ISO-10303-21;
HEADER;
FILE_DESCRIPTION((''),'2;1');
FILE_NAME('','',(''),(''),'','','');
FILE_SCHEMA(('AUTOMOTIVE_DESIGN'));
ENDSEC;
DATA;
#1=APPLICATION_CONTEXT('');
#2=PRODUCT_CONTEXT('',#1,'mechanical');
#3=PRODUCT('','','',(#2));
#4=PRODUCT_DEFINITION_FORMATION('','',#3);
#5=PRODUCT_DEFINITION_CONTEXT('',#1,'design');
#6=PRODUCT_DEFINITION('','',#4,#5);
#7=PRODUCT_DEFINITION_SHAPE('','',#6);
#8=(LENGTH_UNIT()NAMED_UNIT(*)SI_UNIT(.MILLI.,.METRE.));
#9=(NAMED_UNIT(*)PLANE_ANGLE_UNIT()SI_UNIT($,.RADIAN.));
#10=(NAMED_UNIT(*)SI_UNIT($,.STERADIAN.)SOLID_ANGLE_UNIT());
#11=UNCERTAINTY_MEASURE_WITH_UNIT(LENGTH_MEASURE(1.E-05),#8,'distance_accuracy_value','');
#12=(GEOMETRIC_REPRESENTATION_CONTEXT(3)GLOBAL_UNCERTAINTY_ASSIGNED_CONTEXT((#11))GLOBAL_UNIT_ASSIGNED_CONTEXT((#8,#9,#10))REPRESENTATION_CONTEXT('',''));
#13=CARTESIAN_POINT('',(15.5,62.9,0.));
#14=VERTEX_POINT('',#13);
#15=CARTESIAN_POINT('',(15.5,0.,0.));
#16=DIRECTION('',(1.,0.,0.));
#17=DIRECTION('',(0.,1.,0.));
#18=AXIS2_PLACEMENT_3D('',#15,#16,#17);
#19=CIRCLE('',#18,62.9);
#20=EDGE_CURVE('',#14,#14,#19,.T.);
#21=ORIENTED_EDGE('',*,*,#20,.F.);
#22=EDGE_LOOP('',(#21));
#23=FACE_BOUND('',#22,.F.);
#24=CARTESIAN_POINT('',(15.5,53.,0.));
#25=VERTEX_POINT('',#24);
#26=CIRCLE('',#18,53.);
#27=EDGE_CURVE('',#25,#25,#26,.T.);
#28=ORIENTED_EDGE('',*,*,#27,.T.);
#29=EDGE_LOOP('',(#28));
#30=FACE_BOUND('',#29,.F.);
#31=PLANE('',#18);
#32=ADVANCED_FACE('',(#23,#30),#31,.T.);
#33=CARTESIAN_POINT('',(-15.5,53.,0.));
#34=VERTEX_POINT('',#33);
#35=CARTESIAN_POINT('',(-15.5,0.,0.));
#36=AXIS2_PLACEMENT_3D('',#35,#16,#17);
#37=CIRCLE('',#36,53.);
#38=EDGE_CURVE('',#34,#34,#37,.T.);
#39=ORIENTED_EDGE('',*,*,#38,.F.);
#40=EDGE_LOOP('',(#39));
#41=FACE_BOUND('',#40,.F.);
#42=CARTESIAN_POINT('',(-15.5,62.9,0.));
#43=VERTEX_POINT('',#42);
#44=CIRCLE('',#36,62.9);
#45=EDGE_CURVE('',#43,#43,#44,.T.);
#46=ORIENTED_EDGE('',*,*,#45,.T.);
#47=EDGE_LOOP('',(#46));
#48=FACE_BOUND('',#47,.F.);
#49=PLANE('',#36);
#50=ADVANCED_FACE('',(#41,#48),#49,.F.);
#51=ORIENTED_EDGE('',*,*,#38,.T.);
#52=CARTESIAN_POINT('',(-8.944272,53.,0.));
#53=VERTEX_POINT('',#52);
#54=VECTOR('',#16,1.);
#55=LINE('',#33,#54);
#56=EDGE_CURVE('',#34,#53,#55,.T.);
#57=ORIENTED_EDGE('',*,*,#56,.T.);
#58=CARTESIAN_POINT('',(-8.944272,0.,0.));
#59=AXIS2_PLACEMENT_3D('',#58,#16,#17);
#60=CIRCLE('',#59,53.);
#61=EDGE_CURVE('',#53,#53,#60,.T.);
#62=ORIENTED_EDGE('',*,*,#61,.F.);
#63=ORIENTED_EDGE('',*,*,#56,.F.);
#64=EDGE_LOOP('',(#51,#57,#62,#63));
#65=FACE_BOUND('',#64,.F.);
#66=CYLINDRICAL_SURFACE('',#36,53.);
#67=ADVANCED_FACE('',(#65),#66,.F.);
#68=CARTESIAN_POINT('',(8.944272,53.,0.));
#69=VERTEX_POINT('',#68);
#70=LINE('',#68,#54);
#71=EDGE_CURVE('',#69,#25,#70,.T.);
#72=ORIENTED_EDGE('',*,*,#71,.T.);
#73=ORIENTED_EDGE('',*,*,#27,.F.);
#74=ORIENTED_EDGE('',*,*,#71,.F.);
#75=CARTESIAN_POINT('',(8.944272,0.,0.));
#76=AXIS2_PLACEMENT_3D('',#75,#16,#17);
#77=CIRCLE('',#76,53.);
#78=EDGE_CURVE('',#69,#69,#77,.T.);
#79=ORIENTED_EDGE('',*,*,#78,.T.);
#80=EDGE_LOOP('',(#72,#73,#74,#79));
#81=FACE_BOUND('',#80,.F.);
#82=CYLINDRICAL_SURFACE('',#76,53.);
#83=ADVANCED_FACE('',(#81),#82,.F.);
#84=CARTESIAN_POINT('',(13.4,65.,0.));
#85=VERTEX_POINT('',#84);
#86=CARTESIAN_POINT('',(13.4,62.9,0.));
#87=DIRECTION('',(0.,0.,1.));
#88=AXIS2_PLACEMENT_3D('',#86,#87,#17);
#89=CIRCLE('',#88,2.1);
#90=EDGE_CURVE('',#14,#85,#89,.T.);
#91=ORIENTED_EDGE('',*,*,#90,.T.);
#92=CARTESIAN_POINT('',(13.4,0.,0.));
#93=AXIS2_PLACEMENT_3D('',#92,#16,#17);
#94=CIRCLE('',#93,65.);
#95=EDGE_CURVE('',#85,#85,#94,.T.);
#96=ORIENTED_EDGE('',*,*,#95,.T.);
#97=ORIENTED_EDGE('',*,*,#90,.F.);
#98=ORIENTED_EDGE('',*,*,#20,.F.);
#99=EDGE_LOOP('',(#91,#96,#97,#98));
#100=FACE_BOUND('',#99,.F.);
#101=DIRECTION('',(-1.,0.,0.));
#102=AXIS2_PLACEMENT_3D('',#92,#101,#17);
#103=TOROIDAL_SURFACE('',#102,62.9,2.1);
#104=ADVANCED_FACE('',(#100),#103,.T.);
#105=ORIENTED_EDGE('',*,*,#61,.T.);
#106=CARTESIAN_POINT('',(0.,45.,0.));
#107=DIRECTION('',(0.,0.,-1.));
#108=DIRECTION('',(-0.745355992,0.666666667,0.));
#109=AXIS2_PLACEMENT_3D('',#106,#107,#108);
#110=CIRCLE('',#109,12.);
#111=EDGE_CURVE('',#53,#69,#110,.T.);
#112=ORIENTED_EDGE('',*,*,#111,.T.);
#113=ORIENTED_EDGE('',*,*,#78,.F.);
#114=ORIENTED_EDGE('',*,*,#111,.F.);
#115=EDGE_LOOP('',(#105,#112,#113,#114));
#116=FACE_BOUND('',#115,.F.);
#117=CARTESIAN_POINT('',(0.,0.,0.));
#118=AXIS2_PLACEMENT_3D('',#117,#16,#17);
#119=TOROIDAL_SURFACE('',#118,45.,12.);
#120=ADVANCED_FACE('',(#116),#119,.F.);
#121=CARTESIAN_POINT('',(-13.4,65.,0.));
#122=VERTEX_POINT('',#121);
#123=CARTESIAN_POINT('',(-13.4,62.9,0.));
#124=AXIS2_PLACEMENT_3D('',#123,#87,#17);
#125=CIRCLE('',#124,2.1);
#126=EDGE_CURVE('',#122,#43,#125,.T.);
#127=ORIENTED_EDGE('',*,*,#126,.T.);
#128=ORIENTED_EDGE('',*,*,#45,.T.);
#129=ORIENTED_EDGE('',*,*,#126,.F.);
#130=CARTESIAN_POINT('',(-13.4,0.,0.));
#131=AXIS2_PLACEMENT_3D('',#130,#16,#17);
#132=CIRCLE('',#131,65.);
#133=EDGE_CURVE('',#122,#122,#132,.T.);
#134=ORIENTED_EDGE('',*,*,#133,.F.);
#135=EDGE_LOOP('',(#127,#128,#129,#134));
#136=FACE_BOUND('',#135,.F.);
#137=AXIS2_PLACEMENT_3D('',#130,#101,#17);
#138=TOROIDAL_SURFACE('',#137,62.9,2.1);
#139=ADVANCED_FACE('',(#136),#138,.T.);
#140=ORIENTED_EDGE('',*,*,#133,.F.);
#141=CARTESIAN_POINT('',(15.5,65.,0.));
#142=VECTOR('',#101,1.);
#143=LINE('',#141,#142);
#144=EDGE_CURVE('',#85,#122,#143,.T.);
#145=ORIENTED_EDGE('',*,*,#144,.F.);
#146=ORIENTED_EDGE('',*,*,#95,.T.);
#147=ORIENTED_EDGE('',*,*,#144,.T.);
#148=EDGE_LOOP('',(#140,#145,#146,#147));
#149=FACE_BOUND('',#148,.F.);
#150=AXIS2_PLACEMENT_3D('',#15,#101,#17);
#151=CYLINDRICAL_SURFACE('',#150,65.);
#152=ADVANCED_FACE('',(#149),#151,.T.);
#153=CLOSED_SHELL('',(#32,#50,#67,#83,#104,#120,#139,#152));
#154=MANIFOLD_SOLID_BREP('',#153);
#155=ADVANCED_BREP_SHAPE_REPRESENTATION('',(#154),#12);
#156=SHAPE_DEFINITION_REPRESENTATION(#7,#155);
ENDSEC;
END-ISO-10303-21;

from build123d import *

# Parameters (mm, degrees)
FILLET1_R = 2.1


with BuildPart() as part:
    # Sketch1 → Revolve1 (revolve)
    with BuildSketch(Plane.XY):
        with BuildLine():
            Line((8.94427191, 53), (15.5, 53))
            Line((15.5, 53), (15.5, 65))
            Line((15.5, 65), (-15.5, 65))
            Line((-15.5, 65), (-15.5, 53))
            Line((-15.5, 53), (-8.94427191, 53))
            ThreePointArc((-8.94427191, 53), (0, 57), (8.94427191, 53))
        make_face()
    revolve(axis=Axis((-15.5, 0, 0), (1, 0, 0)))

    # Fillet1
    fillet1_edges = [part.edges().sort_by_distance(p)[0] for p in [
        (15.5, -65, 0),
        (-15.5, -65, 0),
    ]]
    fillet(fillet1_edges, radius=FILLET1_R)


solid = part.part
